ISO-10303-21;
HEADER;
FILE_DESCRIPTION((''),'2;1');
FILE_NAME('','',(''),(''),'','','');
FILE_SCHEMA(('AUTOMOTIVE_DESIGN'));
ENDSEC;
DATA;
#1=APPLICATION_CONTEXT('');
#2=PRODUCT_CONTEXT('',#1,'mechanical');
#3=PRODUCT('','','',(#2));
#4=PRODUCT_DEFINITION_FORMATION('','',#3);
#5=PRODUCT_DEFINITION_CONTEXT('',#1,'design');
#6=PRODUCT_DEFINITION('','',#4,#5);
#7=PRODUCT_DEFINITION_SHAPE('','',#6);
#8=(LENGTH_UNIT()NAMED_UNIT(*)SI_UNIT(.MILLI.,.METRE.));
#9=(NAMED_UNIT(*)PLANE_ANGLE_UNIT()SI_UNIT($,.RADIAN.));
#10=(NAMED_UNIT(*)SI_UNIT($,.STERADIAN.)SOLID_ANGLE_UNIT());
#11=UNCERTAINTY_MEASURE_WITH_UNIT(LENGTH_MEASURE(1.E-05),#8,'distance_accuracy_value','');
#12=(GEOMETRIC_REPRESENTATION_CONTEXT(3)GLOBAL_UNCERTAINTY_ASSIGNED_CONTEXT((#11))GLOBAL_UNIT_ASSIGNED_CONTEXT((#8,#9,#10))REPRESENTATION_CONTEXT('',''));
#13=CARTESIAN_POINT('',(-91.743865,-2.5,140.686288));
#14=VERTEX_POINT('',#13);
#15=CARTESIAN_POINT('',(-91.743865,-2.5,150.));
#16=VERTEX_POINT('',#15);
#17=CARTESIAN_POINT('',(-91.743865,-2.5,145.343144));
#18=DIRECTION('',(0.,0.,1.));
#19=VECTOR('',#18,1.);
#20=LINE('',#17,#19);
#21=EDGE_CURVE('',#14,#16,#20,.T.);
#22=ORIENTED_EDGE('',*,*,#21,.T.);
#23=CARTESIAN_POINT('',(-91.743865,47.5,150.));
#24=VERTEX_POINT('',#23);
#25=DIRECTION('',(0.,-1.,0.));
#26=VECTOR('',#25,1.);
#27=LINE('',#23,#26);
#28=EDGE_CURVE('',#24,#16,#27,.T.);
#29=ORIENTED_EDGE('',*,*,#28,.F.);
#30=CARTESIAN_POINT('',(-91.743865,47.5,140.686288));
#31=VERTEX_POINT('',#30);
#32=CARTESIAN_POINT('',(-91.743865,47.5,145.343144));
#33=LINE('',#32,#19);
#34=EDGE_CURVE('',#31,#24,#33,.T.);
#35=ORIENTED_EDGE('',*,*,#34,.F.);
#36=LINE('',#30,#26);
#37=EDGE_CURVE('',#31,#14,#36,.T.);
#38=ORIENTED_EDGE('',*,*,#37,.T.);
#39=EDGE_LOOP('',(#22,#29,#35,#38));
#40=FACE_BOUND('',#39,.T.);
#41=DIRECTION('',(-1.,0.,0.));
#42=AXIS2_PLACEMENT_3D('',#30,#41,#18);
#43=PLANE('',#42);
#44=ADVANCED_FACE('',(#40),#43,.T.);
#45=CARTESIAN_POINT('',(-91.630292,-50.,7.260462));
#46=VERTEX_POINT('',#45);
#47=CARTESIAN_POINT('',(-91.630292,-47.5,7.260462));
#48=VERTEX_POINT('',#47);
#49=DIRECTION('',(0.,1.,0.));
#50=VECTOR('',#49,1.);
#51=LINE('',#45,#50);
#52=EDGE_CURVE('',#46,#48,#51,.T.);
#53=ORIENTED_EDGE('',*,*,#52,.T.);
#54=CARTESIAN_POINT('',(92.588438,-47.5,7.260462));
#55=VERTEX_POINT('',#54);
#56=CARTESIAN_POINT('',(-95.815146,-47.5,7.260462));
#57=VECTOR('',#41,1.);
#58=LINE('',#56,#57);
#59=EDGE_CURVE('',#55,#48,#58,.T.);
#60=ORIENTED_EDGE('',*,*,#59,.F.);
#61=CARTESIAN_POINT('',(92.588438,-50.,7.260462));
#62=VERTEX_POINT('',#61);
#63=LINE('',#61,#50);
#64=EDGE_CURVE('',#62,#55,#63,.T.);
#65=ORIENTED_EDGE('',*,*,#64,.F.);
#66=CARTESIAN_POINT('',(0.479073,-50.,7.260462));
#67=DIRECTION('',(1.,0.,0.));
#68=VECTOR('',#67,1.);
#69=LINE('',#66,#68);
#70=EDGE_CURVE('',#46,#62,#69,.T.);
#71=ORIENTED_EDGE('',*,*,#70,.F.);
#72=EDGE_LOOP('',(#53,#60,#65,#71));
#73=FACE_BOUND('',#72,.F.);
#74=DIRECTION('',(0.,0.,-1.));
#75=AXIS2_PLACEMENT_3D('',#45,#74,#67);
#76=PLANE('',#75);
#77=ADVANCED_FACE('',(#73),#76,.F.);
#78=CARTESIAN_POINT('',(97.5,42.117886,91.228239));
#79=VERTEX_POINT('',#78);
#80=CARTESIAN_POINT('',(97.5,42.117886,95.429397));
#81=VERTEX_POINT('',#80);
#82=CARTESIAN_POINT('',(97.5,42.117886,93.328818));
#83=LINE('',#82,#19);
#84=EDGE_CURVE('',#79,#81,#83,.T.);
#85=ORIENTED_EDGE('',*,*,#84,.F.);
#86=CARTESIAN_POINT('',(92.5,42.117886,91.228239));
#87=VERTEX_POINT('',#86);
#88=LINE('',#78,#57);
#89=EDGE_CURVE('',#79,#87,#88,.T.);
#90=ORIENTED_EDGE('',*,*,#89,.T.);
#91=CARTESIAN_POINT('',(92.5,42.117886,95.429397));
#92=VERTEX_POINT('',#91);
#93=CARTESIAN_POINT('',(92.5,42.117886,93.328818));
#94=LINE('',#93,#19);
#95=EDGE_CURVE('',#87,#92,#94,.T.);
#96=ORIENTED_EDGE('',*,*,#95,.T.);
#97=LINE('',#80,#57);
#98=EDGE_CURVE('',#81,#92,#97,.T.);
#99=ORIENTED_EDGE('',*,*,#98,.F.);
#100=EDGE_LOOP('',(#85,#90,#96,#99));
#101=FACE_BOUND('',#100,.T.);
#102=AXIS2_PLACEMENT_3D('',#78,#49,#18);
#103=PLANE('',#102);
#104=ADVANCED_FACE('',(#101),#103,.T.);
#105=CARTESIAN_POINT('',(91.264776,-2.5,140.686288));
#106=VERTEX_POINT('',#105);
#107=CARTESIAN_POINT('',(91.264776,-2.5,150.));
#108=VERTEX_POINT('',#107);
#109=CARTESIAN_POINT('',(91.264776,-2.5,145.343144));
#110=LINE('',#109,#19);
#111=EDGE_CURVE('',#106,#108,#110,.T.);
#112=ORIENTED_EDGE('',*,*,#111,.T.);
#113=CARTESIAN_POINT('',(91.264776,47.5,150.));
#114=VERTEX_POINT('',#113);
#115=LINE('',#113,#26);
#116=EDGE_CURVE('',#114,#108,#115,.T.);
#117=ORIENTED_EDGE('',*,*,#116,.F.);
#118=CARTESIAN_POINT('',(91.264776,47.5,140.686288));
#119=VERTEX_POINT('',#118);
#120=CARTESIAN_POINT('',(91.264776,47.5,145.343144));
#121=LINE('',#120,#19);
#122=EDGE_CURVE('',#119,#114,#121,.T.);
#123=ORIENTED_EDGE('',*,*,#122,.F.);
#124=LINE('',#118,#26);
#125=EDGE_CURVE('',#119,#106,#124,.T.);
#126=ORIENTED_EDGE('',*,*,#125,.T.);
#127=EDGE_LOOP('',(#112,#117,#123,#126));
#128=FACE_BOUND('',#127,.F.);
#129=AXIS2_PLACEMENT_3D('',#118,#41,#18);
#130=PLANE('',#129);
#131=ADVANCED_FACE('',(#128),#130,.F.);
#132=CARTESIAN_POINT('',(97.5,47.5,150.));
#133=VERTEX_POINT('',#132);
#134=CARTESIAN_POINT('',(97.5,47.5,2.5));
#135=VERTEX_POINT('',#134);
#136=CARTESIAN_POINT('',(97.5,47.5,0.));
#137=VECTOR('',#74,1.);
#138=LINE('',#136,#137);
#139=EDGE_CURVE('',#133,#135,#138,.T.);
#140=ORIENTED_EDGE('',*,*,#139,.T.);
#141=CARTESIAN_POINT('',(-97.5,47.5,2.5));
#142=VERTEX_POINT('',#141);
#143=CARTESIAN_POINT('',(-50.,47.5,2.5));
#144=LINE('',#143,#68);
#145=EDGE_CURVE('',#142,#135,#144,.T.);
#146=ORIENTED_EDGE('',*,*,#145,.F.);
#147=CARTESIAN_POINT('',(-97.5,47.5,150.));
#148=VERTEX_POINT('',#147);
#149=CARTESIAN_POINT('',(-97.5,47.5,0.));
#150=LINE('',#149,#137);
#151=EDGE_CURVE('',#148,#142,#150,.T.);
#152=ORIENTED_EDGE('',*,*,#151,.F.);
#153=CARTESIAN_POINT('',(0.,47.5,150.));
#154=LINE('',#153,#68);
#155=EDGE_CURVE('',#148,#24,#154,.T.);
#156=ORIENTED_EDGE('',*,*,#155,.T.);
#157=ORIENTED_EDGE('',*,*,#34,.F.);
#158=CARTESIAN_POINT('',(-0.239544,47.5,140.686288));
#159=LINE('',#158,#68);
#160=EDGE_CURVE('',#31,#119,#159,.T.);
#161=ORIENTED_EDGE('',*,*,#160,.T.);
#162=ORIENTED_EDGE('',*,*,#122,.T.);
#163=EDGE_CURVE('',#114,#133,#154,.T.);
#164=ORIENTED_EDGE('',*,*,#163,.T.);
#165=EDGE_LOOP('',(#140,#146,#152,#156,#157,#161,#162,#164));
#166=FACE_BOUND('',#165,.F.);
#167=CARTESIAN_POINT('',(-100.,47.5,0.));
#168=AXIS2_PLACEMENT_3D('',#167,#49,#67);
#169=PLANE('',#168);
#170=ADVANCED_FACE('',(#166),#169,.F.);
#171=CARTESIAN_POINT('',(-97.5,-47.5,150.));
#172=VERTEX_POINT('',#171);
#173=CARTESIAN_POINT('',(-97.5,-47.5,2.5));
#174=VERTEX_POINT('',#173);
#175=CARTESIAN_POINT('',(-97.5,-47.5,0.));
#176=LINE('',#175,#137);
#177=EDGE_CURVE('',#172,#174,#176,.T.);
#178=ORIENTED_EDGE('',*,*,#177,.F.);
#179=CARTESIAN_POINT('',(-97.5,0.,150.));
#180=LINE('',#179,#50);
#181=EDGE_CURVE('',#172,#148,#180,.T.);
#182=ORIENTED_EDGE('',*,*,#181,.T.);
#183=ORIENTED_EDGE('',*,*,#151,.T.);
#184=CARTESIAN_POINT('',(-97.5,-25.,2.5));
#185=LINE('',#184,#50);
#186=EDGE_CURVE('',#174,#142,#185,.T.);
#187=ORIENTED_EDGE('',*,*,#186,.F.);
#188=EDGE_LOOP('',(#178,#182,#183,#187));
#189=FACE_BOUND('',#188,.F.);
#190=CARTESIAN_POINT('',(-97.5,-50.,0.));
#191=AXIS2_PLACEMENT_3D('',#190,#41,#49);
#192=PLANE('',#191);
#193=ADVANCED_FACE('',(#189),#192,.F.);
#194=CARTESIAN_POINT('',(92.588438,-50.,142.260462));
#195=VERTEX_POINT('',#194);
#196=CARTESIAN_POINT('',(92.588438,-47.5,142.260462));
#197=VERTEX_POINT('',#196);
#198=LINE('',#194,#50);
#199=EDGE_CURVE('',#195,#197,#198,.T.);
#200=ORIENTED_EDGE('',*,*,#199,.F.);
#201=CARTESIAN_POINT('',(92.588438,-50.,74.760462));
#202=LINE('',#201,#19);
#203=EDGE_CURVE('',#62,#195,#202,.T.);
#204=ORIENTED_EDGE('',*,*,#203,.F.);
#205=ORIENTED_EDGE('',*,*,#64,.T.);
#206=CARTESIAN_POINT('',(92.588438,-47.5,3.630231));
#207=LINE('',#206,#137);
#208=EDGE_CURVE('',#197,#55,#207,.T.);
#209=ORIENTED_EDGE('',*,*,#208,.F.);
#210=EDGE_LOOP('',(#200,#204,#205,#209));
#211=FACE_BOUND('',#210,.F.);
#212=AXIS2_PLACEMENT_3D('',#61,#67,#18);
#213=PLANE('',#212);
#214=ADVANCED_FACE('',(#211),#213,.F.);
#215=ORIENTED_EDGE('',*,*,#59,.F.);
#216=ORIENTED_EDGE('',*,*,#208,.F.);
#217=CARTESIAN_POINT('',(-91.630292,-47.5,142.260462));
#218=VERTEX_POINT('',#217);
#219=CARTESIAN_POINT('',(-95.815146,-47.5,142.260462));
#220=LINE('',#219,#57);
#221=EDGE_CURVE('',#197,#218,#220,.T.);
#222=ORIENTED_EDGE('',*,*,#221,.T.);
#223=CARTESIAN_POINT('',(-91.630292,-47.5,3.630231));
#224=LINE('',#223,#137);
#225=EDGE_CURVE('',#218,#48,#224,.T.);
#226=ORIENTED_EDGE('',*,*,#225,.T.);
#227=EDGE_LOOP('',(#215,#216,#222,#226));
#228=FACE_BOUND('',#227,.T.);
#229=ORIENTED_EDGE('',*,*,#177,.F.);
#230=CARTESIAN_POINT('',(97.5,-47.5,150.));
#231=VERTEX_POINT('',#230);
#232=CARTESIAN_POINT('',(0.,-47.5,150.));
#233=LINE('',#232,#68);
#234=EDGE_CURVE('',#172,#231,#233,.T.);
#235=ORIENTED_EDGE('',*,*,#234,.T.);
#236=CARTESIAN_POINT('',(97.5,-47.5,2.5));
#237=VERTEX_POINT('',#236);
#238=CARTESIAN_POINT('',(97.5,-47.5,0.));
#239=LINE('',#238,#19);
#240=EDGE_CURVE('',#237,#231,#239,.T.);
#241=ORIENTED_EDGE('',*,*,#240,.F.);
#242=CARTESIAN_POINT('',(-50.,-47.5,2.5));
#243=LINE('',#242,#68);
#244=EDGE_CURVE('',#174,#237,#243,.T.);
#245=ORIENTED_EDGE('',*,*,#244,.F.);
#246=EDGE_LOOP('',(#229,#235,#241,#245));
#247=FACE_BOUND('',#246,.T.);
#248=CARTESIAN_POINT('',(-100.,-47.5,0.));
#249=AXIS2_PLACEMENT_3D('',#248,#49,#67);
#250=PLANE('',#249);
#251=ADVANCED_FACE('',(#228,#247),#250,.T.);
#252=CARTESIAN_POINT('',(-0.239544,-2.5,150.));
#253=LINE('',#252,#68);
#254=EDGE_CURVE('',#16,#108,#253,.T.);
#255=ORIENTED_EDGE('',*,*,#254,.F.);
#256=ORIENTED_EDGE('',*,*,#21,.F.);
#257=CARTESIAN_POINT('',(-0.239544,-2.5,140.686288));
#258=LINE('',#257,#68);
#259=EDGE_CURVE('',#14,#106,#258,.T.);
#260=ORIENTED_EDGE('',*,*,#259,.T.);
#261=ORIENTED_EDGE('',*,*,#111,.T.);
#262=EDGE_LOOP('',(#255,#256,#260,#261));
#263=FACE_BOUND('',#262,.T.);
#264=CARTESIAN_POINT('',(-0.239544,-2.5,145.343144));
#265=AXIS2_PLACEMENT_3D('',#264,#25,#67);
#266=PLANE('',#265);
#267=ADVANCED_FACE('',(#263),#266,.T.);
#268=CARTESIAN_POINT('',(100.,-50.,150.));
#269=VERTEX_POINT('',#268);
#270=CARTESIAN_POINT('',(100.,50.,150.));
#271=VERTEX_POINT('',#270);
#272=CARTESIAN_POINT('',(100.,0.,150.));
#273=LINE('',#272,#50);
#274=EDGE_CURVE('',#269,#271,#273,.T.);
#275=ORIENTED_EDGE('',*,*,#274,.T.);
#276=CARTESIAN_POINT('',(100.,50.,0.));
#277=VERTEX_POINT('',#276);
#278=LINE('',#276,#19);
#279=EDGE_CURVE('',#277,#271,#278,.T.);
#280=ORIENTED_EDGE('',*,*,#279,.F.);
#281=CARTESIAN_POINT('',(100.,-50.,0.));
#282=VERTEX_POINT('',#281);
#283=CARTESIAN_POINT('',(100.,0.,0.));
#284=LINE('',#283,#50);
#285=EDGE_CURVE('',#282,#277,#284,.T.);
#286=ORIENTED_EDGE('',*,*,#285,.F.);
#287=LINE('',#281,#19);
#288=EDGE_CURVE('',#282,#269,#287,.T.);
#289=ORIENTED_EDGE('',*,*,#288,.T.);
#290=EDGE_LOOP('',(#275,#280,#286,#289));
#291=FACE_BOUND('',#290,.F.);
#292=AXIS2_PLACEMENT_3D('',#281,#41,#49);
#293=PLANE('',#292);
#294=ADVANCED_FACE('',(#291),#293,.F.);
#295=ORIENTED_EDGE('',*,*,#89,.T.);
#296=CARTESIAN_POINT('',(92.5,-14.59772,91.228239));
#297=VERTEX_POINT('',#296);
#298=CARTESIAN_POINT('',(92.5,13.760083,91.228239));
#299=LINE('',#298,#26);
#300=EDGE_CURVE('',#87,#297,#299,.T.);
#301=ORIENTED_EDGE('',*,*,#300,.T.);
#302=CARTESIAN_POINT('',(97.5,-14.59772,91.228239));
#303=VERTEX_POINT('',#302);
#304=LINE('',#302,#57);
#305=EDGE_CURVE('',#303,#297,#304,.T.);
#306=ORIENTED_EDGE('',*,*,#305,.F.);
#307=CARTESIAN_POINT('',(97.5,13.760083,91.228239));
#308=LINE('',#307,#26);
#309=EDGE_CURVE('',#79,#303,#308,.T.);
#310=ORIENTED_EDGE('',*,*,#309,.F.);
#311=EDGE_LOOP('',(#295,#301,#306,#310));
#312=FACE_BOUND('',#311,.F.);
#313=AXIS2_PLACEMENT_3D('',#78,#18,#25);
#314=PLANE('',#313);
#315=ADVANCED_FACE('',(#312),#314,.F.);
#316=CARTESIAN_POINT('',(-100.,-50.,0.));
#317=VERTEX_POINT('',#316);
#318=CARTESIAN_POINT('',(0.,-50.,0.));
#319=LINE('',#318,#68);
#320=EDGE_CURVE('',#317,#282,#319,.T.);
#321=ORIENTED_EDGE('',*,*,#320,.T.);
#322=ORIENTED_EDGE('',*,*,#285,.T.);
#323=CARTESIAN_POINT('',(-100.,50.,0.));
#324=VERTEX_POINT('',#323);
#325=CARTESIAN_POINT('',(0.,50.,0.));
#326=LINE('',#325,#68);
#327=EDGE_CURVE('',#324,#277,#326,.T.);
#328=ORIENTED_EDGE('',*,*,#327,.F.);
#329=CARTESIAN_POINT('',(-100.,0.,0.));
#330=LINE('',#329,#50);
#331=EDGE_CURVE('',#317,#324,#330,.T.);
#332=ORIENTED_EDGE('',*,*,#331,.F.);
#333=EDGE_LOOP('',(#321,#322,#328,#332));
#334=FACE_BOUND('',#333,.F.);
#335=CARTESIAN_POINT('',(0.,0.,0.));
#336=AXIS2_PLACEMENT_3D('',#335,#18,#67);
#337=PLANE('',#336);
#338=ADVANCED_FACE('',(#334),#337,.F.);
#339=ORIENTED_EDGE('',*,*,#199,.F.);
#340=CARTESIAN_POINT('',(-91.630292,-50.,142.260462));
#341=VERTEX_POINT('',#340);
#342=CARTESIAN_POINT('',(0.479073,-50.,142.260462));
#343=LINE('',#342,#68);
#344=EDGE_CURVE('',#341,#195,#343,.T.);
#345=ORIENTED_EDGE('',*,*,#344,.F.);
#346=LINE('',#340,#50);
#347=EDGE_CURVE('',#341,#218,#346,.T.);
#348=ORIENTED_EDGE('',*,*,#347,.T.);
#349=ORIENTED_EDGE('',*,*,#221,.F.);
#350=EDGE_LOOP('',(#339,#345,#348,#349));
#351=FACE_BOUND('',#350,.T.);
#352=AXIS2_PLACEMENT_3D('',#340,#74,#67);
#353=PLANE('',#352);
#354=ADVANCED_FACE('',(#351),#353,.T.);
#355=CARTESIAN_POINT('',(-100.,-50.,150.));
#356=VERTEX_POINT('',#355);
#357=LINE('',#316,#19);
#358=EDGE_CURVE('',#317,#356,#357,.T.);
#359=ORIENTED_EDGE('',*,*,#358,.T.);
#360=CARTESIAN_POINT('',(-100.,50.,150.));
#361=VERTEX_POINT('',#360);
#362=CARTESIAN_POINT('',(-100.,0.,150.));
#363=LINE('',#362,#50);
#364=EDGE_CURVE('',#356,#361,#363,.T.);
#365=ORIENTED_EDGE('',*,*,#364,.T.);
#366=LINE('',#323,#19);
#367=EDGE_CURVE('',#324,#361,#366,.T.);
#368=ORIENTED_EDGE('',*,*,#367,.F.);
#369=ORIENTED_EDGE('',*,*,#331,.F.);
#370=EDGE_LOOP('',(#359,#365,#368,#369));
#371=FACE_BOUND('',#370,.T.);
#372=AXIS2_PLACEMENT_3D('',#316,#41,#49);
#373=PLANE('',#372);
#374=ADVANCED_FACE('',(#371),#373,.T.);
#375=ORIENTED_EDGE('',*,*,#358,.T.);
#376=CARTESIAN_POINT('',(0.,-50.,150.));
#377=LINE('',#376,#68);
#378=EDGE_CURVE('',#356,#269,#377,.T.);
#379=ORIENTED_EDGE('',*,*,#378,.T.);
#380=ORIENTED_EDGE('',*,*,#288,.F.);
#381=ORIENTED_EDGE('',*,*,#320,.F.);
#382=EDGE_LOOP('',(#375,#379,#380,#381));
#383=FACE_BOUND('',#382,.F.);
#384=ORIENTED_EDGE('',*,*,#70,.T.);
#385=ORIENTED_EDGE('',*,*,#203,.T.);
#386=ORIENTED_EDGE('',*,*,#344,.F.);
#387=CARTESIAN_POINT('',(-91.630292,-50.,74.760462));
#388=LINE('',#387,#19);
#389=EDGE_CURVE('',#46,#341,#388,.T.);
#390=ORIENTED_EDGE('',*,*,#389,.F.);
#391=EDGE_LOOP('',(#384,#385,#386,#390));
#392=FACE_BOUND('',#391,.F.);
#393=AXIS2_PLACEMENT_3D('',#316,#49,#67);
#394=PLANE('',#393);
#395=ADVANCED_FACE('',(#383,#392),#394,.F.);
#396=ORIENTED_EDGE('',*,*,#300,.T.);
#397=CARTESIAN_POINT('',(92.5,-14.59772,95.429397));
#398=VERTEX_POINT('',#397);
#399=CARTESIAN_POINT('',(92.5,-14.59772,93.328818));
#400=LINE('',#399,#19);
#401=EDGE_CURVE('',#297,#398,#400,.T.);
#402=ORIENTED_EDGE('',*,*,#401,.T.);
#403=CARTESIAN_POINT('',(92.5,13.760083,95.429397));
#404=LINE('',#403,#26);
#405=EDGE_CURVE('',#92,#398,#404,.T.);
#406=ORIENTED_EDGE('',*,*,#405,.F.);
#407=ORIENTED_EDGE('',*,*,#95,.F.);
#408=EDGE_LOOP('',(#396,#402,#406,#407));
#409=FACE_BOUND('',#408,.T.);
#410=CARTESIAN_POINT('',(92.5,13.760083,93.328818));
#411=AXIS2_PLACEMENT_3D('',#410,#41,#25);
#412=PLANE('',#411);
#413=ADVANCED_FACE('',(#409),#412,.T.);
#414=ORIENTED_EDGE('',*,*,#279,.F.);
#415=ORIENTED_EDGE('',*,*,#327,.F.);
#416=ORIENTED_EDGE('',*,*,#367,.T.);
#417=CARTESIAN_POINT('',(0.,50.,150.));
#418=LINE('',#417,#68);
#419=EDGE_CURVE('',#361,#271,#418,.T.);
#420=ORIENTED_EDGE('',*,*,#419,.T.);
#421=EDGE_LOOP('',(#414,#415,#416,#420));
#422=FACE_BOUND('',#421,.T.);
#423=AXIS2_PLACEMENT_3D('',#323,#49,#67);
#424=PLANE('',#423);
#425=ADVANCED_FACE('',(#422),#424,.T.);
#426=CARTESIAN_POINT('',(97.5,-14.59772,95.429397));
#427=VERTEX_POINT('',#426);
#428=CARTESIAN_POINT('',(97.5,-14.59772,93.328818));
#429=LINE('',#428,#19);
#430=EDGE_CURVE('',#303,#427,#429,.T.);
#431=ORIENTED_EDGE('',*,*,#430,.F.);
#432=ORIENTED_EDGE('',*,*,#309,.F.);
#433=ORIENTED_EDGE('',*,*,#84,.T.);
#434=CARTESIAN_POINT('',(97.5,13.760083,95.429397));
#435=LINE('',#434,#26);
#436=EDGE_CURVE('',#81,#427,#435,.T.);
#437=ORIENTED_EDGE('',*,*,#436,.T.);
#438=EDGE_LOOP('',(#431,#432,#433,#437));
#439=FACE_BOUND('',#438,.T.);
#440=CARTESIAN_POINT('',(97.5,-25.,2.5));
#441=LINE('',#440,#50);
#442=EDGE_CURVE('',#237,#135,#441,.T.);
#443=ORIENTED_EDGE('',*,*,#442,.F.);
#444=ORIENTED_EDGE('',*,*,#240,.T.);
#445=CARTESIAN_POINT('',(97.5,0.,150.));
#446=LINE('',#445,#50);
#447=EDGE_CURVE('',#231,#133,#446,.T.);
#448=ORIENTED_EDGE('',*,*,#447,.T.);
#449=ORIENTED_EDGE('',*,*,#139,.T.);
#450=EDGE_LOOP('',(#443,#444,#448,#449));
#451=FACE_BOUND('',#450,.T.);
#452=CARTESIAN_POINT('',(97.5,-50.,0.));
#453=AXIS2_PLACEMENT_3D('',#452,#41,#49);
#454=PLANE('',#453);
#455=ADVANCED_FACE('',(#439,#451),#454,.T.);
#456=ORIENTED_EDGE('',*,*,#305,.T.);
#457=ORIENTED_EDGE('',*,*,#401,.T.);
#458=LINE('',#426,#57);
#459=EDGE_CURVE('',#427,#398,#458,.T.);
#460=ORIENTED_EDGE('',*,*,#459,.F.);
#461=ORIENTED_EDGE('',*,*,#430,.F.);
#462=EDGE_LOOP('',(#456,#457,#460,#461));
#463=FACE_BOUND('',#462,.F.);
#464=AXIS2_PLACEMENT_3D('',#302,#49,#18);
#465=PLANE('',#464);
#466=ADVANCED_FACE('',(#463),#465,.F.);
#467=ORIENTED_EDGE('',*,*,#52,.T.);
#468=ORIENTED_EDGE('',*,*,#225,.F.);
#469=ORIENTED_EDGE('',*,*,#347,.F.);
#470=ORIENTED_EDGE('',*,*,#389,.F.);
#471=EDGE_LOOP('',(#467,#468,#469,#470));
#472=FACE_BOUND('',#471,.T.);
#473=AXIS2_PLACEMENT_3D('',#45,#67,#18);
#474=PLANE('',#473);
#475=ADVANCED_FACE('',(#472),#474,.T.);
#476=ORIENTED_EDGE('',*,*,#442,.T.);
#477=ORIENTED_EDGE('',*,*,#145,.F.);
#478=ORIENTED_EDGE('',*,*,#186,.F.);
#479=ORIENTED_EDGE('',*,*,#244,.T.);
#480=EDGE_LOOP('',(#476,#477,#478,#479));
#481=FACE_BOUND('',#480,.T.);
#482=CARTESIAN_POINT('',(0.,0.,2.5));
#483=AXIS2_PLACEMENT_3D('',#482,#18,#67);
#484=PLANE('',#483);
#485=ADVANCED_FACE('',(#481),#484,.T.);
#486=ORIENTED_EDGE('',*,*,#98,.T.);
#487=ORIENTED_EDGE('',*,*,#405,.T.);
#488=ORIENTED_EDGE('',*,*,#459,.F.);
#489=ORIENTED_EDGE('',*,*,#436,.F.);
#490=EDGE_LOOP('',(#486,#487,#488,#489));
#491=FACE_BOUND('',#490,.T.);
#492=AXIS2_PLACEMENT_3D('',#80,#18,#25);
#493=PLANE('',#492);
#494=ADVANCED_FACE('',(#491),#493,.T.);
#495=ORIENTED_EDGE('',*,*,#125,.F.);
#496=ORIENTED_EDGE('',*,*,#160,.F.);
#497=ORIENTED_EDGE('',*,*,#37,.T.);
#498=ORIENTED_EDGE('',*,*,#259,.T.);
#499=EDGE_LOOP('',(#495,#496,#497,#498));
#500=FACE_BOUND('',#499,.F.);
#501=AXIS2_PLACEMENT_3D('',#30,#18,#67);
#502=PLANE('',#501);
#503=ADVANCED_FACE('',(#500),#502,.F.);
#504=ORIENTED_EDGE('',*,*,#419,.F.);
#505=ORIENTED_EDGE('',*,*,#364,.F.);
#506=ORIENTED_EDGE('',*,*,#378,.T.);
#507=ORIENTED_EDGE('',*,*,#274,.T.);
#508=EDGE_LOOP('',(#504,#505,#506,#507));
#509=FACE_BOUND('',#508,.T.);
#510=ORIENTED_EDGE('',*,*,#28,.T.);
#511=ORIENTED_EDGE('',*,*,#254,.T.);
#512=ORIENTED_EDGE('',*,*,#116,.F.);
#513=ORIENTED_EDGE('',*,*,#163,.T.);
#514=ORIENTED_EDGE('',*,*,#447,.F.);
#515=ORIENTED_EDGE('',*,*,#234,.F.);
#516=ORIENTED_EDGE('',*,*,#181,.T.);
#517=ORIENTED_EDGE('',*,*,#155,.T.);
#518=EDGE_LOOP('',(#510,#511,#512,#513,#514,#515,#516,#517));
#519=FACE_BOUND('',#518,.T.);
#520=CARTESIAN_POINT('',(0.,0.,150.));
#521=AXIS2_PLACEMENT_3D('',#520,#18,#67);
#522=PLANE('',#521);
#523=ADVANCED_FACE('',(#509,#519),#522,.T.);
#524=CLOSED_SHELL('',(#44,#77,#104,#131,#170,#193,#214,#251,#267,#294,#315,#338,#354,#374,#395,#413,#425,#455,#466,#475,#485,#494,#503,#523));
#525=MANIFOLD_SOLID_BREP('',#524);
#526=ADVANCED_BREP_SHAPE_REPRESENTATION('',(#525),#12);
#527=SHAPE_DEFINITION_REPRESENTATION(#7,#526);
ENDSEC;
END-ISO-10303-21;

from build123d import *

# Parameters (mm, degrees)
F0_W     = 200
F0_H     = 100
F1_DEPTH = 150
F2_T     = -2.5
F3_W     = 184.218731
F3_H     = 135
F4_DEPTH = 25
F5_W     = 56.715606
F5_H     = 4.201159
F6_DEPTH = 5
F7_W     = 183.008641
F7_H     = 9.313712
F8_DEPTH = 50


with BuildPart() as f1:
    # F0 (on Top) → F1 (new body)
    with BuildSketch(Plane.XY):
        Rectangle(F0_W, F0_H)
    extrude(amount=F1_DEPTH)

    # F2
    f2_openings = [f1.faces().sort_by_distance(p)[0] for p in [
        (0, 0, 150),
    ]]
    offset(amount=F2_T, openings=f2_openings)

    # F3 (on face) → F4 (cut)
    with BuildSketch(Plane.XZ.offset(50)):
        with Locations((0.479073, 74.760462)):
            Rectangle(F3_W, F3_H)
    extrude(amount=-F4_DEPTH, mode=Mode.SUBTRACT)

    # F5 (on face) → F6 (join)
    with BuildSketch(Plane(origin=(97.5, 0, 0), x_dir=(0, -1, 0), z_dir=(-1, 0, 0))):
        with Locations((-13.760083, 93.328818)):
            Rectangle(F5_W, F5_H)
    extrude(amount=F6_DEPTH)

    # F7 (on face) → F8 (join)
    with BuildSketch(Plane.XZ.offset(-47.5)):
        with Locations((-0.239544, 145.343144)):
            Rectangle(F7_W, F7_H)
    extrude(amount=F8_DEPTH)


solid = f1.part
